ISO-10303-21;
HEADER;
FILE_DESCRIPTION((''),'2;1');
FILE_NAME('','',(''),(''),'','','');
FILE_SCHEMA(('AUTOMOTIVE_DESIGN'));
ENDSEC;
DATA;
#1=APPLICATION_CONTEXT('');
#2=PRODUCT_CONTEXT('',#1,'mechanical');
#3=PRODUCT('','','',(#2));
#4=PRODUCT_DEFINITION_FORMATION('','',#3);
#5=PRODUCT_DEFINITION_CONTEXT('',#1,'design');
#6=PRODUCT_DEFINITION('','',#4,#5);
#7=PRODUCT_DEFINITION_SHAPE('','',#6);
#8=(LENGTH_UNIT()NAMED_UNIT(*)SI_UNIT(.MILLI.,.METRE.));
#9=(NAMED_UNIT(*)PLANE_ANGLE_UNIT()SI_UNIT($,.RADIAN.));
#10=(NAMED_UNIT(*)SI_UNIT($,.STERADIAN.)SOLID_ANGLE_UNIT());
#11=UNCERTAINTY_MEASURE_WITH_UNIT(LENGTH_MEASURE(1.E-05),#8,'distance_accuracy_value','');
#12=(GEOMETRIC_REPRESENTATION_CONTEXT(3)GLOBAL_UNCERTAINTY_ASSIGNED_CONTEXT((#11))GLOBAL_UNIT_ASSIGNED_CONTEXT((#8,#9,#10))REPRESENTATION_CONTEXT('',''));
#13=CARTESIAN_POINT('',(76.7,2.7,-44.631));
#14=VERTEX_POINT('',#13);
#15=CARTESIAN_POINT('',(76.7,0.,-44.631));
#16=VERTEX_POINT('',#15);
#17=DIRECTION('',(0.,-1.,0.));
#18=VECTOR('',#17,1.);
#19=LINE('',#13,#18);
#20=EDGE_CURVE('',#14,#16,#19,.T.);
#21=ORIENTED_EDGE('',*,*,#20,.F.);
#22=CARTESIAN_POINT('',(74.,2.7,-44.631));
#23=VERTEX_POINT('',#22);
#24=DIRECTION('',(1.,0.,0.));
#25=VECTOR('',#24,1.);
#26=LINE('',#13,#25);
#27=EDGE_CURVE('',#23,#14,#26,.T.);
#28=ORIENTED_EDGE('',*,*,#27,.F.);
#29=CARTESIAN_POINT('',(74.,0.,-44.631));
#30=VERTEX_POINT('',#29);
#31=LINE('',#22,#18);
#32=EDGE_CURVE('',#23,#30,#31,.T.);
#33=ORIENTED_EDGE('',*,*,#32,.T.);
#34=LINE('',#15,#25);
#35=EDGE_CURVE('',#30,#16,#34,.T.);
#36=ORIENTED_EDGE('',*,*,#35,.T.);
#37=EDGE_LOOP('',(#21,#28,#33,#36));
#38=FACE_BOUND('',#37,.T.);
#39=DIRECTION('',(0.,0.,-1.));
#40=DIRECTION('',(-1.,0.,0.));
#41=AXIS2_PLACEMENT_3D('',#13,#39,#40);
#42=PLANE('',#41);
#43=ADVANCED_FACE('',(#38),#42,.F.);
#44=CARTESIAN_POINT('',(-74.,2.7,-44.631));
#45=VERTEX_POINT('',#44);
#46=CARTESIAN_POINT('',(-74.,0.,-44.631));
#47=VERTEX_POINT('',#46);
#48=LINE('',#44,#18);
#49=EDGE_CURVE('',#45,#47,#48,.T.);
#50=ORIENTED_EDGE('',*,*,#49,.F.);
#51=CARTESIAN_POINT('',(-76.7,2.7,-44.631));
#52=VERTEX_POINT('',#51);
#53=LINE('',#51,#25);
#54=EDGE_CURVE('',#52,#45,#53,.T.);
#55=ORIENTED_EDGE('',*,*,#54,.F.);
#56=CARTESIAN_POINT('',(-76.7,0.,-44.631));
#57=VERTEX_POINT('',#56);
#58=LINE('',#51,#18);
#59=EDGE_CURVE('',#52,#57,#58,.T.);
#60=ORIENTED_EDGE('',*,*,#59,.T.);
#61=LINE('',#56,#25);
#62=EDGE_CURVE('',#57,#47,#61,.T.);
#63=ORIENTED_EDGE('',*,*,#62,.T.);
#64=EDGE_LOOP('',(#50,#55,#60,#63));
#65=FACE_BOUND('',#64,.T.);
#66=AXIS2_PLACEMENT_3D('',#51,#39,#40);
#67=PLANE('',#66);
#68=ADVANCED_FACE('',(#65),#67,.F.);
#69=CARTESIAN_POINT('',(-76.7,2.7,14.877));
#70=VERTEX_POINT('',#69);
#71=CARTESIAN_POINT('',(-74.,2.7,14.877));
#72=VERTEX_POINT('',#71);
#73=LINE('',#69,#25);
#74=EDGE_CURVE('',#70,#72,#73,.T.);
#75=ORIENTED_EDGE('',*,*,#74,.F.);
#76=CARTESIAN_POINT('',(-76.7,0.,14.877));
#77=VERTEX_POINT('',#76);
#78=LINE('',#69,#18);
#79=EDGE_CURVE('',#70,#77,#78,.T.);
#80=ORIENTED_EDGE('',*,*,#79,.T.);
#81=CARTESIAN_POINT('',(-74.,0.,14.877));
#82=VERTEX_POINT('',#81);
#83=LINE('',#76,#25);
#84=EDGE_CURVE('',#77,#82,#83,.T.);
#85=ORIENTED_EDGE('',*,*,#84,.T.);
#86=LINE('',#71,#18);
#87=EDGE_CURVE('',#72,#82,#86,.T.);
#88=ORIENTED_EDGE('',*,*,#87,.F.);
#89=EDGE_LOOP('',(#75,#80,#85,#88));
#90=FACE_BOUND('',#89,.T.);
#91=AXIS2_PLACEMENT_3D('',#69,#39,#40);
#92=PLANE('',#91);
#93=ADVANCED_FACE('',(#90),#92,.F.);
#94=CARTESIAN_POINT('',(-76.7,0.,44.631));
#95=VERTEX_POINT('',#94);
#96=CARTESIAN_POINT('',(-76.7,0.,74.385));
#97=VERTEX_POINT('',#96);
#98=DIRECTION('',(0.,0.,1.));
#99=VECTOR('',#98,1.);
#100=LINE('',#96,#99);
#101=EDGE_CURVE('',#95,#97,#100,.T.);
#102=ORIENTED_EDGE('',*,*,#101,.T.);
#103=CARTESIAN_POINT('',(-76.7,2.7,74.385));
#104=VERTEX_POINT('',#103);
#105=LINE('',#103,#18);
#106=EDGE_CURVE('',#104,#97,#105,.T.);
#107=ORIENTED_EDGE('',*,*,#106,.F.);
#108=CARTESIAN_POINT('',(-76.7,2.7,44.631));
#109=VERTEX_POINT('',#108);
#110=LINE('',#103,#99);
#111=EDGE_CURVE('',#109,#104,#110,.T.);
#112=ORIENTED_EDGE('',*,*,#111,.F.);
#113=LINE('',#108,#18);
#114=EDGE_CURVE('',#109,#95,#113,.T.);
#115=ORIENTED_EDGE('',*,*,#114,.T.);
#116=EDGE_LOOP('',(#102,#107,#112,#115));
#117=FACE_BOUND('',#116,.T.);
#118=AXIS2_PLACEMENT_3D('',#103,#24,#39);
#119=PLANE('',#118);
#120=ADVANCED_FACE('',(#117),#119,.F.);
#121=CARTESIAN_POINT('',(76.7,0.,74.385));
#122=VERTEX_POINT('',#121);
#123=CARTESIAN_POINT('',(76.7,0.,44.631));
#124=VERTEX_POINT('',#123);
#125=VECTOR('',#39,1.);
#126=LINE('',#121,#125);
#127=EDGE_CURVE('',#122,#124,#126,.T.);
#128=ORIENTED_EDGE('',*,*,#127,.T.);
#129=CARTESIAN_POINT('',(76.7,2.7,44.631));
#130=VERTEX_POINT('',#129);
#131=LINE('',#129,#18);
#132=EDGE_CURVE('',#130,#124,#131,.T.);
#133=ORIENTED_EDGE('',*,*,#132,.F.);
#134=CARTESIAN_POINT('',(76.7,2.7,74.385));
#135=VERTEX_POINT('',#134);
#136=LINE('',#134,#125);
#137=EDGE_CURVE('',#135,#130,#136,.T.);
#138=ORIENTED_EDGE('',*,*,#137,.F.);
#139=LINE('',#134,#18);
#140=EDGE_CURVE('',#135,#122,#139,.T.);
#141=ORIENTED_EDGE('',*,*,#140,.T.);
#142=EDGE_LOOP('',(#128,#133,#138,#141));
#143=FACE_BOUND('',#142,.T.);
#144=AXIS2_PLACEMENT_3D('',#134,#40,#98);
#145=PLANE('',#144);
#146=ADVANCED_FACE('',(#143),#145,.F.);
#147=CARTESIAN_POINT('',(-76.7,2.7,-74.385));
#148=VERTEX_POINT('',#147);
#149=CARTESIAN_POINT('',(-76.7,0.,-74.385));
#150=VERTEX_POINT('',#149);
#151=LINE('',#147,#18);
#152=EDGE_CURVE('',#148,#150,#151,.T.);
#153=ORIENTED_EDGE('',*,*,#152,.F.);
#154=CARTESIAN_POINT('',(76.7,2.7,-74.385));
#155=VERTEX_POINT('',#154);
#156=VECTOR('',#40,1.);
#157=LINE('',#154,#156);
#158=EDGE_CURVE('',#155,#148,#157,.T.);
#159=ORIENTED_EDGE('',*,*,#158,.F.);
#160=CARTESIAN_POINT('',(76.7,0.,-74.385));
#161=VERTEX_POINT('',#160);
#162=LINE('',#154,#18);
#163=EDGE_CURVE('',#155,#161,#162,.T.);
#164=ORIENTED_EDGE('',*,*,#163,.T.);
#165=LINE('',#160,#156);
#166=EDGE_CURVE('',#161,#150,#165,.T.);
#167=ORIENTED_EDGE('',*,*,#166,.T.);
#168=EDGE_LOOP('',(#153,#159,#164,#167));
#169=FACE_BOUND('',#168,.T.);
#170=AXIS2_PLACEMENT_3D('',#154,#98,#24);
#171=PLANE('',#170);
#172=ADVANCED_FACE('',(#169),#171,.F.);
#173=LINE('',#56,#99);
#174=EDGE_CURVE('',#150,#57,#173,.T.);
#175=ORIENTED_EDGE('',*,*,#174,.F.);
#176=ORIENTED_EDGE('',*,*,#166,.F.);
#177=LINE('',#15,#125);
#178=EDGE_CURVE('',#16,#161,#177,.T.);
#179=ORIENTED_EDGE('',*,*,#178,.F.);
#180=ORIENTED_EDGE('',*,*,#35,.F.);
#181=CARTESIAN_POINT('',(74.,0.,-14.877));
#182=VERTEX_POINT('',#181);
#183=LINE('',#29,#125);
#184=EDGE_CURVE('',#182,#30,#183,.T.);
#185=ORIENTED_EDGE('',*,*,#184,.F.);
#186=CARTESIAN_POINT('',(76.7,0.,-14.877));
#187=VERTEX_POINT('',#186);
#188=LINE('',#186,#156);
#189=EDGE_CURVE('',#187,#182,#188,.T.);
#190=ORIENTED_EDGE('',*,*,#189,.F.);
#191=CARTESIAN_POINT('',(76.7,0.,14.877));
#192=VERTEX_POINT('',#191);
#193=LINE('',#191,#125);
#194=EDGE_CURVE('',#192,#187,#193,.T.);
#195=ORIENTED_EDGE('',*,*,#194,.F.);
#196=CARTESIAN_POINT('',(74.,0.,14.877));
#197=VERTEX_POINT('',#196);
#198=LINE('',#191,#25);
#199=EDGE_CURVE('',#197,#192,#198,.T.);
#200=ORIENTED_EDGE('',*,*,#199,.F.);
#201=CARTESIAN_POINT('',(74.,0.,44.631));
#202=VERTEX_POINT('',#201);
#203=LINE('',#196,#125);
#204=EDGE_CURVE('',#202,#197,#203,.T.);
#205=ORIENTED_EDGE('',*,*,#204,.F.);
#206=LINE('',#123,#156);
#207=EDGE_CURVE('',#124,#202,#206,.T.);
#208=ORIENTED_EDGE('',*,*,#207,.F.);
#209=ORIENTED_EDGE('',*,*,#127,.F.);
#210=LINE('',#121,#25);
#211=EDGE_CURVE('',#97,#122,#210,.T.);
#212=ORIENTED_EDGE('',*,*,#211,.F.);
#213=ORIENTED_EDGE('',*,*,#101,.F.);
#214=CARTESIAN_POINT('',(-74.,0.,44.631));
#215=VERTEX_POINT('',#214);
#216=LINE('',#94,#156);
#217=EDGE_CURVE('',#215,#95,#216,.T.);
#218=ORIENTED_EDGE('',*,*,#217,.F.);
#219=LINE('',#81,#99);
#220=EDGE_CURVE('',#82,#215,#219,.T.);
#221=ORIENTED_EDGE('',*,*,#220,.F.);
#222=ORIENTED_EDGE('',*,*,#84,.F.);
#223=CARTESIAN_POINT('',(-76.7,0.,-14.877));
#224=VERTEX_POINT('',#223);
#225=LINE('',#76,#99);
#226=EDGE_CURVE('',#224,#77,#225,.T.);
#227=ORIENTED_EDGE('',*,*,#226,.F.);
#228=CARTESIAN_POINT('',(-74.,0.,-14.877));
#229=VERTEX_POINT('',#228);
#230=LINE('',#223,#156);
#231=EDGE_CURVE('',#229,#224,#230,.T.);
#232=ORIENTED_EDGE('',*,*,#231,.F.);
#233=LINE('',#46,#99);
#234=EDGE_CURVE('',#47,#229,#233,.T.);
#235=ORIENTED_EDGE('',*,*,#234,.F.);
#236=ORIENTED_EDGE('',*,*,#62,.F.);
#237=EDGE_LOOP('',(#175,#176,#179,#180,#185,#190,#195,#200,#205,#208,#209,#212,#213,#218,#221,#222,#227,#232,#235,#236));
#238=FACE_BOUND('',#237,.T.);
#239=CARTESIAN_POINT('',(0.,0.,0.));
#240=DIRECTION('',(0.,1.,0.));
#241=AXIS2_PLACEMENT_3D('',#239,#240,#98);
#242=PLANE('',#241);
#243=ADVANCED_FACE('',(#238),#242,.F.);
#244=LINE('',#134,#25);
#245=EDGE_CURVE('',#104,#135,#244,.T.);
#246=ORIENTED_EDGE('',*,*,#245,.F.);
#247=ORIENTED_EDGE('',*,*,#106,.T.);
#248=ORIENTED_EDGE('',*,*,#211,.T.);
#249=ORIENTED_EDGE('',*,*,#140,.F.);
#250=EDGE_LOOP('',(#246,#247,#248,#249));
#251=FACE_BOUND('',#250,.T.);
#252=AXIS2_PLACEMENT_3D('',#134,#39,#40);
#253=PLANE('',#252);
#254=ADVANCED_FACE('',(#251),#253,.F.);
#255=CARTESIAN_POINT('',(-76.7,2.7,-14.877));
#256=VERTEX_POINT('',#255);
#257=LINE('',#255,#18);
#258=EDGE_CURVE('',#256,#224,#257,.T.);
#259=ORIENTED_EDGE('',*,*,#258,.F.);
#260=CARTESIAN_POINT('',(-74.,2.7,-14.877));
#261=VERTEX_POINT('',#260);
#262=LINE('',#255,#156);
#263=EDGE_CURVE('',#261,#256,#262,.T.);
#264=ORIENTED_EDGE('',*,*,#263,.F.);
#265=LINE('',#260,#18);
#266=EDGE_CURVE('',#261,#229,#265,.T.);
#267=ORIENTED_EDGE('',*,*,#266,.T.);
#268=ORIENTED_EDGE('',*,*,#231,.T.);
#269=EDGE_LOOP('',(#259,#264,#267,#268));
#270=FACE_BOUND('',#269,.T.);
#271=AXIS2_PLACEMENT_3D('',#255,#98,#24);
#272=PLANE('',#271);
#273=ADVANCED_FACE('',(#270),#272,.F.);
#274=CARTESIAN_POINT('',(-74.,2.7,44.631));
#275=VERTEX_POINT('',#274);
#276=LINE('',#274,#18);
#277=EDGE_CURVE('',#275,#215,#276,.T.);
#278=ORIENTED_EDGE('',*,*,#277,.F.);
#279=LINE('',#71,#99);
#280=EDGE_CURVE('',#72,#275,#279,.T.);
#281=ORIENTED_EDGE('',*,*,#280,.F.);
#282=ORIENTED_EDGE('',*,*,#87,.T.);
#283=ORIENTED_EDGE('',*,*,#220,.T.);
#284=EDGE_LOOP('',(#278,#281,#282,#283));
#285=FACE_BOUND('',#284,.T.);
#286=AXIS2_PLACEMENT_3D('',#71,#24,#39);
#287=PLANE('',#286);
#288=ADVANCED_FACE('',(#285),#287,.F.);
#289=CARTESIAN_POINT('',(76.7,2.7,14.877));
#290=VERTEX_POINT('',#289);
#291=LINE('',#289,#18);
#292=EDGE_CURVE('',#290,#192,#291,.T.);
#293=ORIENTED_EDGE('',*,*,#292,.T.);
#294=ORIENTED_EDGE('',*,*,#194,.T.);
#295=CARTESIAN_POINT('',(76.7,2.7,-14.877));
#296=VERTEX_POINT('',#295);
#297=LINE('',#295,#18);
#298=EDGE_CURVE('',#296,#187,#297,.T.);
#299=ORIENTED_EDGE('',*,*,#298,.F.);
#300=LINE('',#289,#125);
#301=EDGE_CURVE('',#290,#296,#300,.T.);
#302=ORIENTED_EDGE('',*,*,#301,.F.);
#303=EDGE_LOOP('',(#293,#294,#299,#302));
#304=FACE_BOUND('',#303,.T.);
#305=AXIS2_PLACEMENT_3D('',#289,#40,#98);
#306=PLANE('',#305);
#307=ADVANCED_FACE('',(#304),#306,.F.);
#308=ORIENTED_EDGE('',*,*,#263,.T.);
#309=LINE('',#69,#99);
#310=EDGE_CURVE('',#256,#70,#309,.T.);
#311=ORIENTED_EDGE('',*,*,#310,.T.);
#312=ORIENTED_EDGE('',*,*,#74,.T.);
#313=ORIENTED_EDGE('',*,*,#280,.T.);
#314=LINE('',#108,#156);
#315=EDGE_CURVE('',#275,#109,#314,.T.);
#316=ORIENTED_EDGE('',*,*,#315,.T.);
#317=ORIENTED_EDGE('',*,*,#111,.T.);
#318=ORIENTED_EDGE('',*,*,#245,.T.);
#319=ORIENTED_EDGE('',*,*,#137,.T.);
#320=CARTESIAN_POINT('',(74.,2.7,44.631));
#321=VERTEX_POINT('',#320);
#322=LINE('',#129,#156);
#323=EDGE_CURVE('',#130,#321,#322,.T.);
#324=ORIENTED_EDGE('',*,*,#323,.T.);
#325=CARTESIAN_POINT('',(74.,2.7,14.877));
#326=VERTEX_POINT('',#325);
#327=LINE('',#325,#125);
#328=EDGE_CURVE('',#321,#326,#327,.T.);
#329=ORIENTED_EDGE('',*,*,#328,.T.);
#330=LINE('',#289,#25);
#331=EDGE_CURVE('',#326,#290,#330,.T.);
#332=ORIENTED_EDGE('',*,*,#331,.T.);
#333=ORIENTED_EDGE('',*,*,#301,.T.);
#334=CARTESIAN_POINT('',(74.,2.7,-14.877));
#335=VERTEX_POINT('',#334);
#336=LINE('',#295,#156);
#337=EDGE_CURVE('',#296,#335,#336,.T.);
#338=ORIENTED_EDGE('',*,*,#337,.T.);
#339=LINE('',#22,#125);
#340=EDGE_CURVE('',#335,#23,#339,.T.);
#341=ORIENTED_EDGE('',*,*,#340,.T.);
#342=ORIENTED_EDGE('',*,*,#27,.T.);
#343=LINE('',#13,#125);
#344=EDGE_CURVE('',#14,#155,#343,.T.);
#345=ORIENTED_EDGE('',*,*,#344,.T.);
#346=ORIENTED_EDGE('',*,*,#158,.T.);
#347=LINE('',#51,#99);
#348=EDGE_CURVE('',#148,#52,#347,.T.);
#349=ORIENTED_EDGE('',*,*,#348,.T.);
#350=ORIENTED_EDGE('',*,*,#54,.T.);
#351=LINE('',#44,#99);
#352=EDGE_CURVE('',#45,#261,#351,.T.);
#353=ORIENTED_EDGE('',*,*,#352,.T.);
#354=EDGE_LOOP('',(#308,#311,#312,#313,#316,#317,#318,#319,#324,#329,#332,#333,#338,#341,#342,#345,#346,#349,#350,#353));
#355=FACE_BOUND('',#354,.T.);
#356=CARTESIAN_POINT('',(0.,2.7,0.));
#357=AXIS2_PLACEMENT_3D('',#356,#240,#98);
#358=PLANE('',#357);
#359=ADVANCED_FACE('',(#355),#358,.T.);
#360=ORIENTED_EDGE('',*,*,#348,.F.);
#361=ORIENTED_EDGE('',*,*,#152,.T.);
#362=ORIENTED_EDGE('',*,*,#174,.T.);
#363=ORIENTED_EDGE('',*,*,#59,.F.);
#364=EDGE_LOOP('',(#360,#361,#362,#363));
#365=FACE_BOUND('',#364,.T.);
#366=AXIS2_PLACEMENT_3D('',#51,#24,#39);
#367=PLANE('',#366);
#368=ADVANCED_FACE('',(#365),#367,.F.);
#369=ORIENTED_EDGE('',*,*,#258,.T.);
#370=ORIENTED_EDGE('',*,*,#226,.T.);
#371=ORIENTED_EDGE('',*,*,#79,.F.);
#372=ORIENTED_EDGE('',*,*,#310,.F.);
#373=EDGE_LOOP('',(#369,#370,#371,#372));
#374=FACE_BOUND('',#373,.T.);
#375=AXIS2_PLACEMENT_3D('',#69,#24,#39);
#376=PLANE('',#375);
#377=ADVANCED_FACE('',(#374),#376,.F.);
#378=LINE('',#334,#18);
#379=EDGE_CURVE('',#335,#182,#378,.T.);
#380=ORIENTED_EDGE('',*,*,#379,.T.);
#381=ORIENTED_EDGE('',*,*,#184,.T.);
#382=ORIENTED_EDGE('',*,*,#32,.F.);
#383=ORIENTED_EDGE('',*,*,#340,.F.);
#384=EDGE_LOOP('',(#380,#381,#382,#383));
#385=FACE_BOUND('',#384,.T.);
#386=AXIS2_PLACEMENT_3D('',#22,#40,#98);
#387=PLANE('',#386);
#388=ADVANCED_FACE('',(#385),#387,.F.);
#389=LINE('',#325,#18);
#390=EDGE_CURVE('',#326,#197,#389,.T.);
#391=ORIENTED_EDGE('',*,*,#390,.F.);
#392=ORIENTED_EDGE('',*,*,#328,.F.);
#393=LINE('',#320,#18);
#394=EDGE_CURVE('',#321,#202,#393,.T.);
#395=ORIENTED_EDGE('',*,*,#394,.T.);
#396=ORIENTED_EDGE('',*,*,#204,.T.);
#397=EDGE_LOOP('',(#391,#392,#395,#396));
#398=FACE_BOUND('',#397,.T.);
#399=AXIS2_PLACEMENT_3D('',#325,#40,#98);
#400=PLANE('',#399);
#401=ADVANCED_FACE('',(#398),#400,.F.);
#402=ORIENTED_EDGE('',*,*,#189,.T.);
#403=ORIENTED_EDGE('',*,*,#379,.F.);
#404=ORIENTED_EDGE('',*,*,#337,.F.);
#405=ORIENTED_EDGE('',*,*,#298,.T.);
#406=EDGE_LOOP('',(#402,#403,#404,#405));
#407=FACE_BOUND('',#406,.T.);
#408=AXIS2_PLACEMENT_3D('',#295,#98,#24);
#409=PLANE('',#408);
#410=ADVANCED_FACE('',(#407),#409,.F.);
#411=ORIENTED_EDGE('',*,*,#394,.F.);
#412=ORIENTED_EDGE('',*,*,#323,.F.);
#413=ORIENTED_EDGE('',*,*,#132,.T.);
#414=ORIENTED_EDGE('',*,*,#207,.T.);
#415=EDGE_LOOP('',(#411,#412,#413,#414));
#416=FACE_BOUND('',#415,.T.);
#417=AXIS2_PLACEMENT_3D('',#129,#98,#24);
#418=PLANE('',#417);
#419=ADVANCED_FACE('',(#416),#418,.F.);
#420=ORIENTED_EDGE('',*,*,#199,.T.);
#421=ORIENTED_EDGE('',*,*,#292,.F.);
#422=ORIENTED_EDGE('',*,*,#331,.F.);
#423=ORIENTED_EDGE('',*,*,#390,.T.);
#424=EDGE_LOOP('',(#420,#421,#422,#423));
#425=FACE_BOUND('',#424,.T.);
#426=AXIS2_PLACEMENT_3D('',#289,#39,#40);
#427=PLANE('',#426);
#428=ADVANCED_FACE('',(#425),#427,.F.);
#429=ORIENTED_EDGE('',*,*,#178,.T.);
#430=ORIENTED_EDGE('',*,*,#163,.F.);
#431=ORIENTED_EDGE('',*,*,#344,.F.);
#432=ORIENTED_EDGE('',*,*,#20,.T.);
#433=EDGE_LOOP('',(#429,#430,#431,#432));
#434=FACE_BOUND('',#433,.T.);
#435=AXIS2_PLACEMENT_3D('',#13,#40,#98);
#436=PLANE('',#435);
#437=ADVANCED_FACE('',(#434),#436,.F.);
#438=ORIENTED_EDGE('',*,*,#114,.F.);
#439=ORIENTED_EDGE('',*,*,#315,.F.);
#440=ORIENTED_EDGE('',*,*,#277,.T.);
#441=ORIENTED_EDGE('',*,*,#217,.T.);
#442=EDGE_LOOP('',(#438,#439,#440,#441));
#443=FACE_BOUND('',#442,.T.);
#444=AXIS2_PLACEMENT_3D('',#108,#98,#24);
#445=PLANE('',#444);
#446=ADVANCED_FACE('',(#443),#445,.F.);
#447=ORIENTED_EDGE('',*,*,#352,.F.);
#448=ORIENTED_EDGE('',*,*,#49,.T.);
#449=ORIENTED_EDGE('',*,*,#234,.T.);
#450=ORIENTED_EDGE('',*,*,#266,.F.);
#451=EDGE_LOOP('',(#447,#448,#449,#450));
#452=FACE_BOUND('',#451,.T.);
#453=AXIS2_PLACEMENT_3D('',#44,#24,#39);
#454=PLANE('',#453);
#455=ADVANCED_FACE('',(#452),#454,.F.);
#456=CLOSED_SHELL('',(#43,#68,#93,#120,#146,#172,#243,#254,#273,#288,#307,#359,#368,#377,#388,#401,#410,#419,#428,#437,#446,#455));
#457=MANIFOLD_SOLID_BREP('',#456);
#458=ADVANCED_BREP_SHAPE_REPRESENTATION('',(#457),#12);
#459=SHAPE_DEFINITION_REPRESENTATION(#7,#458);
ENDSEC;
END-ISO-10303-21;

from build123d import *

# Parameters (mm, degrees)
BOSS_EXTRUDE1_DEPTH = 2.7


with BuildPart() as part:
    # Sketch1 → Boss-Extrude1 (new body)
    with BuildSketch(Plane(origin=(0, 0, 0), x_dir=(1, 0, 0), z_dir=(0, 1, 0))):
        Polygon((76.7, -74.385), (-76.7, -74.385), (-76.7, -44.631), (-74, -44.631), (-74, -14.877), (-76.7, -14.877), (-76.7, 14.877), (-74, 14.877), (-74, 44.631), (-76.7, 44.631), (-76.7, 74.385), (76.7, 74.385), (76.7, 44.631), (74, 44.631), (74, 14.877), (76.7, 14.877), (76.7, -14.877), (74, -14.877), (74, -44.631), (76.7, -44.631), align=None)
    extrude(amount=BOSS_EXTRUDE1_DEPTH)


solid = part.part
